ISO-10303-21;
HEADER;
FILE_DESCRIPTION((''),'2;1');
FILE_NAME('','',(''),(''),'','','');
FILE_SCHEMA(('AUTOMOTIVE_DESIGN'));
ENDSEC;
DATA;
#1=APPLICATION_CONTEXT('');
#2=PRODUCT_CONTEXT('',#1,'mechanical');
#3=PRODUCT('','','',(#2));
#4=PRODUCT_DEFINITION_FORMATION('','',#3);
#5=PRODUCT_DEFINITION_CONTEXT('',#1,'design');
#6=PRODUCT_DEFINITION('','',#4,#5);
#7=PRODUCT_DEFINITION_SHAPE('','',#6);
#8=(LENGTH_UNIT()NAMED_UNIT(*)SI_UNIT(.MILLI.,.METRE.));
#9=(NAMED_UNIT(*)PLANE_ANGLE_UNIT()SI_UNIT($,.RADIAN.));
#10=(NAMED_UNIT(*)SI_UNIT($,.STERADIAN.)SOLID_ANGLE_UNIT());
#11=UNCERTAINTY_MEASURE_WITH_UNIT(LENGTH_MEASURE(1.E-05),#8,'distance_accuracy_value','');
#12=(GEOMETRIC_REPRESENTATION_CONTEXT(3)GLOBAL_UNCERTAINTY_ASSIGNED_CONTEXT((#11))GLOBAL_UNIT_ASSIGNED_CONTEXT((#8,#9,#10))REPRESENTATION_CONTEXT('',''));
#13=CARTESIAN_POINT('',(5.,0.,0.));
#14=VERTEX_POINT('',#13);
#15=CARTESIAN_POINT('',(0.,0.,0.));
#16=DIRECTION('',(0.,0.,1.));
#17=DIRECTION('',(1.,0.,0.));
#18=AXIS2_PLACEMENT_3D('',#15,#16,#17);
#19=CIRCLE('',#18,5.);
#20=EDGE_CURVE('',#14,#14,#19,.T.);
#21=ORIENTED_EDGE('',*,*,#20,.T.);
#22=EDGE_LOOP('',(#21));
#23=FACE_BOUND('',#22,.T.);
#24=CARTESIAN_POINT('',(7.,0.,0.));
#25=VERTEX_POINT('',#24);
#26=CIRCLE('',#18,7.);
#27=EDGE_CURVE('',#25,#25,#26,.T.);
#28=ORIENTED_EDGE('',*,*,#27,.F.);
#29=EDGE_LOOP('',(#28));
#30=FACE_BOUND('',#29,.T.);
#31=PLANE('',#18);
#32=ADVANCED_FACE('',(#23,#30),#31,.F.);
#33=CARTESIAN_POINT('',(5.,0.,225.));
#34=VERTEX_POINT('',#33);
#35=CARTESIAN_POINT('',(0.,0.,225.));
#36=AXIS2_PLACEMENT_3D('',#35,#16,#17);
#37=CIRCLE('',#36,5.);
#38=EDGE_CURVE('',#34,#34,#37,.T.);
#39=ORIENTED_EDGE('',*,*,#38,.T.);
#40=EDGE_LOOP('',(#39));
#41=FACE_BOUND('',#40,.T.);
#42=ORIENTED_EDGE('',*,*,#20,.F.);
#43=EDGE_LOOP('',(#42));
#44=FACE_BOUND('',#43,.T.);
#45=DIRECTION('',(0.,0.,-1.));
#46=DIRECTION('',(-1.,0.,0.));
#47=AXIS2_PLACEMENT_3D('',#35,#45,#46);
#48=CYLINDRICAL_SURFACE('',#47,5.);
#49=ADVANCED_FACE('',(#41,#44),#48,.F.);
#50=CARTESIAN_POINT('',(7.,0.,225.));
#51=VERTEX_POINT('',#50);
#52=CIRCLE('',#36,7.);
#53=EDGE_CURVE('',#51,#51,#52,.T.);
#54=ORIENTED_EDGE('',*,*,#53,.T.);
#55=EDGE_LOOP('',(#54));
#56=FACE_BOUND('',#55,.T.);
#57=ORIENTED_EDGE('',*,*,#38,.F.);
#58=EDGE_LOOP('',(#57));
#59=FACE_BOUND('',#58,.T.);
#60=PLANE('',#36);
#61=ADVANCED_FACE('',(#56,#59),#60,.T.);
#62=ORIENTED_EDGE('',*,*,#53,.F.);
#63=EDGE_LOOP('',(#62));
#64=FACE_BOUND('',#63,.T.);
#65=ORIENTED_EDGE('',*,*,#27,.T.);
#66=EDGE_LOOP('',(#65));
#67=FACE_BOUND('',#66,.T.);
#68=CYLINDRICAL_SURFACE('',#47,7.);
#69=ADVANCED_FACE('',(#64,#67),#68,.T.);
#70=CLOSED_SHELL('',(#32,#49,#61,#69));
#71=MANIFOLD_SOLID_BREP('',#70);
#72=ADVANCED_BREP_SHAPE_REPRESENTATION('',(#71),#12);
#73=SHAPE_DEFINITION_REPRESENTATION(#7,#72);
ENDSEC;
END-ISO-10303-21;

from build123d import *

# Parameters (mm, degrees)
SZKIC1_R                    = 7
SZKIC1_R_2                  = 5
DODANIE_WYCI_GNI_CIE1_DEPTH = 225


with BuildPart() as part:
    # Szkic1 → Dodanie-wyciągnięcie1 (new body)
    with BuildSketch(Plane.XY):
        Circle(SZKIC1_R)
        Circle(SZKIC1_R_2, mode=Mode.SUBTRACT)
    extrude(amount=DODANIE_WYCI_GNI_CIE1_DEPTH)


solid = part.part
